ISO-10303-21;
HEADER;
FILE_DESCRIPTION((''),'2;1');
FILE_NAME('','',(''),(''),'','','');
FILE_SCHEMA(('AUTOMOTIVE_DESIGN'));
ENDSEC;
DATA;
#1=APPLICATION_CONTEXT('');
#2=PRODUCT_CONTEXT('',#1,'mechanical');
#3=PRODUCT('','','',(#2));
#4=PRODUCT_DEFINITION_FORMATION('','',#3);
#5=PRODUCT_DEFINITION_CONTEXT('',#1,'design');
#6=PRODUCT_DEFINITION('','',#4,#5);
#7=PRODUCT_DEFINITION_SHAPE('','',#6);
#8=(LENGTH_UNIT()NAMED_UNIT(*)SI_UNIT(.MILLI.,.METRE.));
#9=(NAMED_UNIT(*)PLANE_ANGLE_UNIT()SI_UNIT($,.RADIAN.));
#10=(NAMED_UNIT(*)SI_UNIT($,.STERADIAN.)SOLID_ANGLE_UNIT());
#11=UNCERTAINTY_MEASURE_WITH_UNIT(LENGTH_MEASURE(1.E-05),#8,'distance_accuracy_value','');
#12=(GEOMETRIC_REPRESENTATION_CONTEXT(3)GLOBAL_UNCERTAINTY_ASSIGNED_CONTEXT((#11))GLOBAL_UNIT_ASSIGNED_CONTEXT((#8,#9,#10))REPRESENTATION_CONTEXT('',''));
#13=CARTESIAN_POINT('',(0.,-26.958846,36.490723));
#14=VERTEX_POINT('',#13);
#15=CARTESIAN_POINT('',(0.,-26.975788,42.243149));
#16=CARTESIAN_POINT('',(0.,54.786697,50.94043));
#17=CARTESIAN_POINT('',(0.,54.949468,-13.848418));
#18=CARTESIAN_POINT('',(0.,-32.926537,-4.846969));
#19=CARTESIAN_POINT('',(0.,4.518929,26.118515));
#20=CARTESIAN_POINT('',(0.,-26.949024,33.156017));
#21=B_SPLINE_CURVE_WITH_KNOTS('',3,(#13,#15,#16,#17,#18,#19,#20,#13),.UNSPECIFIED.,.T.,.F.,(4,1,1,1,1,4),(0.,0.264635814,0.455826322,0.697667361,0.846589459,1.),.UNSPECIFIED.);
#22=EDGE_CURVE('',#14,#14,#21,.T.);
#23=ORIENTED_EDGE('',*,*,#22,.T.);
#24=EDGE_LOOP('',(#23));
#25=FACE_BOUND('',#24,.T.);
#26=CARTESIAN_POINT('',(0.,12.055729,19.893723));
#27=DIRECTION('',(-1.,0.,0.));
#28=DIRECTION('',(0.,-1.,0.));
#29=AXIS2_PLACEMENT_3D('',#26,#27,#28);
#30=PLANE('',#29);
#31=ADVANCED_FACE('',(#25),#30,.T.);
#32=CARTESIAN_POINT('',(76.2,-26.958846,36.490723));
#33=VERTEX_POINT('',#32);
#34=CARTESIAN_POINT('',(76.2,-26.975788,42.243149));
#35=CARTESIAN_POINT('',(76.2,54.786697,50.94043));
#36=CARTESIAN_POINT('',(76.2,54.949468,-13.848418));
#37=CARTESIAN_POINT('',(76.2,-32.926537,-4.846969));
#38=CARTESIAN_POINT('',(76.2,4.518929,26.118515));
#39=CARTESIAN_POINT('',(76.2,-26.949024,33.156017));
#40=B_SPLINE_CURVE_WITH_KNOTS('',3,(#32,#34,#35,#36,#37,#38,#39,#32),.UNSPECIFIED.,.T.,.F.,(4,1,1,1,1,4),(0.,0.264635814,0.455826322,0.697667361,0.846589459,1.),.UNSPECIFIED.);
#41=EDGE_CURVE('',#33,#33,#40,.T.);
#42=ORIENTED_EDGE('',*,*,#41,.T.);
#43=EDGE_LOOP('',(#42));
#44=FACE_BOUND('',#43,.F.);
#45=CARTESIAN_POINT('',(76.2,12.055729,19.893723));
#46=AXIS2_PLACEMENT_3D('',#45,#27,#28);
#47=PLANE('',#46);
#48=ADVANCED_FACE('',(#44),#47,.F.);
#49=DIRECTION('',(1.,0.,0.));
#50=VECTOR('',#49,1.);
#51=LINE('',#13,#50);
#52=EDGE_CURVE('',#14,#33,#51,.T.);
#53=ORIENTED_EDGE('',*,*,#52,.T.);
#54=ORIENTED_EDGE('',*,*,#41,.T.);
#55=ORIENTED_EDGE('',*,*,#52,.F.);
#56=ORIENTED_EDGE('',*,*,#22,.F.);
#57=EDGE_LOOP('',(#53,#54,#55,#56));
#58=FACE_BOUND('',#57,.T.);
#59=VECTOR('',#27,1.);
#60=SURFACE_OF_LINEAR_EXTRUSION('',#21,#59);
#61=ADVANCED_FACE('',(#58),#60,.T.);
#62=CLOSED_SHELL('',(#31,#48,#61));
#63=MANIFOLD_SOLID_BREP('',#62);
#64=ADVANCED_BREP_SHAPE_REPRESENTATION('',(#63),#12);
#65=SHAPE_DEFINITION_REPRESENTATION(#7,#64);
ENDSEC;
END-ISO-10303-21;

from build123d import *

# Parameters (mm, degrees)
F1_DEPTH = 76.2


with BuildPart() as f1:
    # F0 (on Right) → F1 (new body)
    with BuildSketch(Plane.YZ):
        with BuildLine():
            add(Edge.make_bspline(
                [(-26.9588455558, 36.4907234907), (-26.9757876695, 42.2431489524), (54.7866973062, 50.9404302043), (54.9494677981, -13.8484184263), (-32.9265368105, -4.8469686472), (4.5189286001, 26.1185152497), (-26.9490241382, 33.156017245), (-26.9588455558, 36.4907234907)],
                knots=[0, 0, 0, 0, 0.2646358136, 0.4558263218, 0.6976673609, 0.8465894593, 1, 1, 1, 1], degree=3))
        make_face()
    extrude(amount=F1_DEPTH)


solid = f1.part
